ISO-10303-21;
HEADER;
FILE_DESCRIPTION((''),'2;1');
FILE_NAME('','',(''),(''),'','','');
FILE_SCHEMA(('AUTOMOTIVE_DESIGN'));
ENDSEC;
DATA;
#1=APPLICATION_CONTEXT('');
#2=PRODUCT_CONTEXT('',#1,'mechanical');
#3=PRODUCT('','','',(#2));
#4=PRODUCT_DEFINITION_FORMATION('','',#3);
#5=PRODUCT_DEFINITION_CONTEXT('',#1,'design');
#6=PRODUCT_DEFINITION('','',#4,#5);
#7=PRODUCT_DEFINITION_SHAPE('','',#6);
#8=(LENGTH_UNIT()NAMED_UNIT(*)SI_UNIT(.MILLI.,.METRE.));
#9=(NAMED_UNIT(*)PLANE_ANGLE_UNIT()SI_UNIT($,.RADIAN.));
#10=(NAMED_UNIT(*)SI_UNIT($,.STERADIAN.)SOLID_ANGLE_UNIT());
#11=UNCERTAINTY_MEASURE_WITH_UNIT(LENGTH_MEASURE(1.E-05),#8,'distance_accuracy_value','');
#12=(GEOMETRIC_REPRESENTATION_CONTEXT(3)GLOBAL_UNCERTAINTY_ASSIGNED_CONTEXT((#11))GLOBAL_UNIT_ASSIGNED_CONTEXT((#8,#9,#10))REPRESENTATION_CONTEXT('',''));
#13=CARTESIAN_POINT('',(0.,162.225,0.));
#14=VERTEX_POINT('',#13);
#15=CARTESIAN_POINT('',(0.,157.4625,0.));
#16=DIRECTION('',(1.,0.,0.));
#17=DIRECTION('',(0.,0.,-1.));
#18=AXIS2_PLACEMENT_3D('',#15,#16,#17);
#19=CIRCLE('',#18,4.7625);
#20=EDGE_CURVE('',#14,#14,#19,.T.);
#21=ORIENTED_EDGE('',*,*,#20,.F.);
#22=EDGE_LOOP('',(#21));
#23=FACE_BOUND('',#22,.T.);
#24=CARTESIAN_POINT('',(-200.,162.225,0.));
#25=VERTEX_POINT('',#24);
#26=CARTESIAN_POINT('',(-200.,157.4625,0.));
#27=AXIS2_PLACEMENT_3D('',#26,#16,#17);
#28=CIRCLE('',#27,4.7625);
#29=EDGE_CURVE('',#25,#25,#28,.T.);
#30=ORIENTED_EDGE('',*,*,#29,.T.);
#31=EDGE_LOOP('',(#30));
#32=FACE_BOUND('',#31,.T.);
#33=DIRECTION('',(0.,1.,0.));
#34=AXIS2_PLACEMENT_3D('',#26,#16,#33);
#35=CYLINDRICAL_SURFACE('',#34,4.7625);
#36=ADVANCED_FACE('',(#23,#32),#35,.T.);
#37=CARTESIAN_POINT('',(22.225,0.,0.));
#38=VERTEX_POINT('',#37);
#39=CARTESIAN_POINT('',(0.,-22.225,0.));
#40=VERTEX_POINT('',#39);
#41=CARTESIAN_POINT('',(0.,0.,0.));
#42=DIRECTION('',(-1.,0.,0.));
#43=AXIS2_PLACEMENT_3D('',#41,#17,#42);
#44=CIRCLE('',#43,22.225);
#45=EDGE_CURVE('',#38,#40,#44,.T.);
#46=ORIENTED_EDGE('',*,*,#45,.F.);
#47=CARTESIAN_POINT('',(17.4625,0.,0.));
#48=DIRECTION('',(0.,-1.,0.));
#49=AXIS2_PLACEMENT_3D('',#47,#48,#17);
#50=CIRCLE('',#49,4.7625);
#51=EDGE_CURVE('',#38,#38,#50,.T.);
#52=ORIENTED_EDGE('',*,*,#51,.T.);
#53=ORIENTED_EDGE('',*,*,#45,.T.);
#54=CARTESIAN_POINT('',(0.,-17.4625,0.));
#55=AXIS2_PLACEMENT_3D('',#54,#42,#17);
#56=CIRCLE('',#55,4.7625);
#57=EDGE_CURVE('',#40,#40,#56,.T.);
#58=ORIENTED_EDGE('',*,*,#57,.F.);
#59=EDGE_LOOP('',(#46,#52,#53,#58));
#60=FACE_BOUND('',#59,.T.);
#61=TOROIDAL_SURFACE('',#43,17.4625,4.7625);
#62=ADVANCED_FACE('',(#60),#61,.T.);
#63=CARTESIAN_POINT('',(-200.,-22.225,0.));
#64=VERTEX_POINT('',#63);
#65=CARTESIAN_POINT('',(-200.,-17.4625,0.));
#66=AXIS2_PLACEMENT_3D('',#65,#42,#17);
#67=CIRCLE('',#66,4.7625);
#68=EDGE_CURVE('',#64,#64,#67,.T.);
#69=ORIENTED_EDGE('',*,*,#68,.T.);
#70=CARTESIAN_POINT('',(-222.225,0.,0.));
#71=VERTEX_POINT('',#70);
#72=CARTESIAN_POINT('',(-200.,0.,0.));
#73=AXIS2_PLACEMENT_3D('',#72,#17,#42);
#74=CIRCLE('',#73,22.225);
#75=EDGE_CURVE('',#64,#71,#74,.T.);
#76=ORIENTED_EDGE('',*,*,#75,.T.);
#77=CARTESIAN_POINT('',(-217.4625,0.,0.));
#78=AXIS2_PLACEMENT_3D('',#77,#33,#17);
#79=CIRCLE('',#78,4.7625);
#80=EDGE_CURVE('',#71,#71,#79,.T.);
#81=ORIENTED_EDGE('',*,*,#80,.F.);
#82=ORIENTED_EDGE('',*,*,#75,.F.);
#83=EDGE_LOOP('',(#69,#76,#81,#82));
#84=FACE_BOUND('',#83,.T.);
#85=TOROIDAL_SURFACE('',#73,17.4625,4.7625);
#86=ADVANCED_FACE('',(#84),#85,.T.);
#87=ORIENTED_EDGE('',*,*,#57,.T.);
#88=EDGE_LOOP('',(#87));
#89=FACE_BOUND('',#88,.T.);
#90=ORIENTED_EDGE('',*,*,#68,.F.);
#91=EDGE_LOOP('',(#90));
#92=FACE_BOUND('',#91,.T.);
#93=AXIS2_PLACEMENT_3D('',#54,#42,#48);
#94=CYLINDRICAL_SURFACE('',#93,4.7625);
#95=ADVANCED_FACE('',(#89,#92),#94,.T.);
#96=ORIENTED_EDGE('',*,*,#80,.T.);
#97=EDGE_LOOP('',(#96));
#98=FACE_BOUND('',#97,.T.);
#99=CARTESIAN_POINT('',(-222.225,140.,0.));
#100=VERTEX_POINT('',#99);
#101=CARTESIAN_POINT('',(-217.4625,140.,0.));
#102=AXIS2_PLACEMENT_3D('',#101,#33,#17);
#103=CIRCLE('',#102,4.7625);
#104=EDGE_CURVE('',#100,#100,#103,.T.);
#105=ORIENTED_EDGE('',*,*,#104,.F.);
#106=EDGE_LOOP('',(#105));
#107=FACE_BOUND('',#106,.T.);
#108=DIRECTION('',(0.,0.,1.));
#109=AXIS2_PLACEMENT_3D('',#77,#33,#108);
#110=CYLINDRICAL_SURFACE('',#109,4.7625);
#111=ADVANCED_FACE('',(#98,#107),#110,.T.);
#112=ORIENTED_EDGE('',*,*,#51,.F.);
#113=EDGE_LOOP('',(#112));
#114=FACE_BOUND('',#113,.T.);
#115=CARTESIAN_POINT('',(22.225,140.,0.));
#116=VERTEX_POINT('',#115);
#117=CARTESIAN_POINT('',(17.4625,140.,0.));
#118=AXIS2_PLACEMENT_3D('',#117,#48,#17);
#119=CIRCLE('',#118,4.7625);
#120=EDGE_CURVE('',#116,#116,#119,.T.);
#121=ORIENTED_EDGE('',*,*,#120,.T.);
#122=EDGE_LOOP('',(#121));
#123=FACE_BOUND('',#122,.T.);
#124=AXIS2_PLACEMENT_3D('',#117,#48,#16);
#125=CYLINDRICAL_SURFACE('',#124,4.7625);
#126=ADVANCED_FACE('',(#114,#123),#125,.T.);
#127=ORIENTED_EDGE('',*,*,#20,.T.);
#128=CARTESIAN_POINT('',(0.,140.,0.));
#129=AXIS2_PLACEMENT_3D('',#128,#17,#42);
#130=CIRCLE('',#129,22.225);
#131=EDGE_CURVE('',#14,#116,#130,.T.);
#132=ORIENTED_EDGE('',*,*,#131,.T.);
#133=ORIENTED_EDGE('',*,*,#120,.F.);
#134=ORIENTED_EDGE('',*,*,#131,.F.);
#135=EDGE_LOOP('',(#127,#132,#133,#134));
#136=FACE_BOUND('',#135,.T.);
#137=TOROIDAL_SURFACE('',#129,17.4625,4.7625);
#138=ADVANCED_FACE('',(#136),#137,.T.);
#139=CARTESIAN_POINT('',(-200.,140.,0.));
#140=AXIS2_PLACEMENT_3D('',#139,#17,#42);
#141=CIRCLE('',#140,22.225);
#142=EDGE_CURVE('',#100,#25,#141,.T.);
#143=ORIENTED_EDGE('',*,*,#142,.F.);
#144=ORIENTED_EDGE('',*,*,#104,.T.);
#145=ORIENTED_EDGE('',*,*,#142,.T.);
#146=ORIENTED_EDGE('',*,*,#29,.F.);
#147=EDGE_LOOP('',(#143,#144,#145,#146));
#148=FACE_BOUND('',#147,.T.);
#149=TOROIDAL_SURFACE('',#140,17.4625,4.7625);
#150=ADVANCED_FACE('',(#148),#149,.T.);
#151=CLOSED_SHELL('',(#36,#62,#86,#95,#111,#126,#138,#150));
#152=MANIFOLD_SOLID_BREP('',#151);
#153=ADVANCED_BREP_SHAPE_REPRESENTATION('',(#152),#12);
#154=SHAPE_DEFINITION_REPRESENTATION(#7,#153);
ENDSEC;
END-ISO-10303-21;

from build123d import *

# Parameters (mm, degrees)
ESBO_O4_R = 4.7625


with BuildPart() as part:
    # Varredura1: sweep along a path in Esboço1
    with BuildLine(Plane.XY) as varredura1_path:
        Line((-200, 157.4625), (0, 157.4625))
        ThreePointArc((0, 157.4625), (12.347852166, 152.347852166), (17.4625, 140))
        Line((17.4625, 140), (17.4625, 0))
        ThreePointArc((17.4625, 0), (12.347852166, -12.347852166), (0, -17.4625))
        Line((0, -17.4625), (-200, -17.4625))
        ThreePointArc((-200, -17.4625), (-212.347852166, -12.347852166), (-217.4625, 0))
        Line((-217.4625, 0), (-217.4625, 140))
        ThreePointArc((-217.4625, 140), (-212.347852166, 152.347852166), (-200, 157.4625))
    # Esboço4 → Varredura1 (sweep)
    with BuildSketch(Plane(origin=(-200, 0, 0), x_dir=(0, 0, -1), z_dir=(1, 0, 0))):
        with Locations((0, 157.4625)):
            Circle(ESBO_O4_R)
    sweep(path=varredura1_path.line)


solid = part.part
